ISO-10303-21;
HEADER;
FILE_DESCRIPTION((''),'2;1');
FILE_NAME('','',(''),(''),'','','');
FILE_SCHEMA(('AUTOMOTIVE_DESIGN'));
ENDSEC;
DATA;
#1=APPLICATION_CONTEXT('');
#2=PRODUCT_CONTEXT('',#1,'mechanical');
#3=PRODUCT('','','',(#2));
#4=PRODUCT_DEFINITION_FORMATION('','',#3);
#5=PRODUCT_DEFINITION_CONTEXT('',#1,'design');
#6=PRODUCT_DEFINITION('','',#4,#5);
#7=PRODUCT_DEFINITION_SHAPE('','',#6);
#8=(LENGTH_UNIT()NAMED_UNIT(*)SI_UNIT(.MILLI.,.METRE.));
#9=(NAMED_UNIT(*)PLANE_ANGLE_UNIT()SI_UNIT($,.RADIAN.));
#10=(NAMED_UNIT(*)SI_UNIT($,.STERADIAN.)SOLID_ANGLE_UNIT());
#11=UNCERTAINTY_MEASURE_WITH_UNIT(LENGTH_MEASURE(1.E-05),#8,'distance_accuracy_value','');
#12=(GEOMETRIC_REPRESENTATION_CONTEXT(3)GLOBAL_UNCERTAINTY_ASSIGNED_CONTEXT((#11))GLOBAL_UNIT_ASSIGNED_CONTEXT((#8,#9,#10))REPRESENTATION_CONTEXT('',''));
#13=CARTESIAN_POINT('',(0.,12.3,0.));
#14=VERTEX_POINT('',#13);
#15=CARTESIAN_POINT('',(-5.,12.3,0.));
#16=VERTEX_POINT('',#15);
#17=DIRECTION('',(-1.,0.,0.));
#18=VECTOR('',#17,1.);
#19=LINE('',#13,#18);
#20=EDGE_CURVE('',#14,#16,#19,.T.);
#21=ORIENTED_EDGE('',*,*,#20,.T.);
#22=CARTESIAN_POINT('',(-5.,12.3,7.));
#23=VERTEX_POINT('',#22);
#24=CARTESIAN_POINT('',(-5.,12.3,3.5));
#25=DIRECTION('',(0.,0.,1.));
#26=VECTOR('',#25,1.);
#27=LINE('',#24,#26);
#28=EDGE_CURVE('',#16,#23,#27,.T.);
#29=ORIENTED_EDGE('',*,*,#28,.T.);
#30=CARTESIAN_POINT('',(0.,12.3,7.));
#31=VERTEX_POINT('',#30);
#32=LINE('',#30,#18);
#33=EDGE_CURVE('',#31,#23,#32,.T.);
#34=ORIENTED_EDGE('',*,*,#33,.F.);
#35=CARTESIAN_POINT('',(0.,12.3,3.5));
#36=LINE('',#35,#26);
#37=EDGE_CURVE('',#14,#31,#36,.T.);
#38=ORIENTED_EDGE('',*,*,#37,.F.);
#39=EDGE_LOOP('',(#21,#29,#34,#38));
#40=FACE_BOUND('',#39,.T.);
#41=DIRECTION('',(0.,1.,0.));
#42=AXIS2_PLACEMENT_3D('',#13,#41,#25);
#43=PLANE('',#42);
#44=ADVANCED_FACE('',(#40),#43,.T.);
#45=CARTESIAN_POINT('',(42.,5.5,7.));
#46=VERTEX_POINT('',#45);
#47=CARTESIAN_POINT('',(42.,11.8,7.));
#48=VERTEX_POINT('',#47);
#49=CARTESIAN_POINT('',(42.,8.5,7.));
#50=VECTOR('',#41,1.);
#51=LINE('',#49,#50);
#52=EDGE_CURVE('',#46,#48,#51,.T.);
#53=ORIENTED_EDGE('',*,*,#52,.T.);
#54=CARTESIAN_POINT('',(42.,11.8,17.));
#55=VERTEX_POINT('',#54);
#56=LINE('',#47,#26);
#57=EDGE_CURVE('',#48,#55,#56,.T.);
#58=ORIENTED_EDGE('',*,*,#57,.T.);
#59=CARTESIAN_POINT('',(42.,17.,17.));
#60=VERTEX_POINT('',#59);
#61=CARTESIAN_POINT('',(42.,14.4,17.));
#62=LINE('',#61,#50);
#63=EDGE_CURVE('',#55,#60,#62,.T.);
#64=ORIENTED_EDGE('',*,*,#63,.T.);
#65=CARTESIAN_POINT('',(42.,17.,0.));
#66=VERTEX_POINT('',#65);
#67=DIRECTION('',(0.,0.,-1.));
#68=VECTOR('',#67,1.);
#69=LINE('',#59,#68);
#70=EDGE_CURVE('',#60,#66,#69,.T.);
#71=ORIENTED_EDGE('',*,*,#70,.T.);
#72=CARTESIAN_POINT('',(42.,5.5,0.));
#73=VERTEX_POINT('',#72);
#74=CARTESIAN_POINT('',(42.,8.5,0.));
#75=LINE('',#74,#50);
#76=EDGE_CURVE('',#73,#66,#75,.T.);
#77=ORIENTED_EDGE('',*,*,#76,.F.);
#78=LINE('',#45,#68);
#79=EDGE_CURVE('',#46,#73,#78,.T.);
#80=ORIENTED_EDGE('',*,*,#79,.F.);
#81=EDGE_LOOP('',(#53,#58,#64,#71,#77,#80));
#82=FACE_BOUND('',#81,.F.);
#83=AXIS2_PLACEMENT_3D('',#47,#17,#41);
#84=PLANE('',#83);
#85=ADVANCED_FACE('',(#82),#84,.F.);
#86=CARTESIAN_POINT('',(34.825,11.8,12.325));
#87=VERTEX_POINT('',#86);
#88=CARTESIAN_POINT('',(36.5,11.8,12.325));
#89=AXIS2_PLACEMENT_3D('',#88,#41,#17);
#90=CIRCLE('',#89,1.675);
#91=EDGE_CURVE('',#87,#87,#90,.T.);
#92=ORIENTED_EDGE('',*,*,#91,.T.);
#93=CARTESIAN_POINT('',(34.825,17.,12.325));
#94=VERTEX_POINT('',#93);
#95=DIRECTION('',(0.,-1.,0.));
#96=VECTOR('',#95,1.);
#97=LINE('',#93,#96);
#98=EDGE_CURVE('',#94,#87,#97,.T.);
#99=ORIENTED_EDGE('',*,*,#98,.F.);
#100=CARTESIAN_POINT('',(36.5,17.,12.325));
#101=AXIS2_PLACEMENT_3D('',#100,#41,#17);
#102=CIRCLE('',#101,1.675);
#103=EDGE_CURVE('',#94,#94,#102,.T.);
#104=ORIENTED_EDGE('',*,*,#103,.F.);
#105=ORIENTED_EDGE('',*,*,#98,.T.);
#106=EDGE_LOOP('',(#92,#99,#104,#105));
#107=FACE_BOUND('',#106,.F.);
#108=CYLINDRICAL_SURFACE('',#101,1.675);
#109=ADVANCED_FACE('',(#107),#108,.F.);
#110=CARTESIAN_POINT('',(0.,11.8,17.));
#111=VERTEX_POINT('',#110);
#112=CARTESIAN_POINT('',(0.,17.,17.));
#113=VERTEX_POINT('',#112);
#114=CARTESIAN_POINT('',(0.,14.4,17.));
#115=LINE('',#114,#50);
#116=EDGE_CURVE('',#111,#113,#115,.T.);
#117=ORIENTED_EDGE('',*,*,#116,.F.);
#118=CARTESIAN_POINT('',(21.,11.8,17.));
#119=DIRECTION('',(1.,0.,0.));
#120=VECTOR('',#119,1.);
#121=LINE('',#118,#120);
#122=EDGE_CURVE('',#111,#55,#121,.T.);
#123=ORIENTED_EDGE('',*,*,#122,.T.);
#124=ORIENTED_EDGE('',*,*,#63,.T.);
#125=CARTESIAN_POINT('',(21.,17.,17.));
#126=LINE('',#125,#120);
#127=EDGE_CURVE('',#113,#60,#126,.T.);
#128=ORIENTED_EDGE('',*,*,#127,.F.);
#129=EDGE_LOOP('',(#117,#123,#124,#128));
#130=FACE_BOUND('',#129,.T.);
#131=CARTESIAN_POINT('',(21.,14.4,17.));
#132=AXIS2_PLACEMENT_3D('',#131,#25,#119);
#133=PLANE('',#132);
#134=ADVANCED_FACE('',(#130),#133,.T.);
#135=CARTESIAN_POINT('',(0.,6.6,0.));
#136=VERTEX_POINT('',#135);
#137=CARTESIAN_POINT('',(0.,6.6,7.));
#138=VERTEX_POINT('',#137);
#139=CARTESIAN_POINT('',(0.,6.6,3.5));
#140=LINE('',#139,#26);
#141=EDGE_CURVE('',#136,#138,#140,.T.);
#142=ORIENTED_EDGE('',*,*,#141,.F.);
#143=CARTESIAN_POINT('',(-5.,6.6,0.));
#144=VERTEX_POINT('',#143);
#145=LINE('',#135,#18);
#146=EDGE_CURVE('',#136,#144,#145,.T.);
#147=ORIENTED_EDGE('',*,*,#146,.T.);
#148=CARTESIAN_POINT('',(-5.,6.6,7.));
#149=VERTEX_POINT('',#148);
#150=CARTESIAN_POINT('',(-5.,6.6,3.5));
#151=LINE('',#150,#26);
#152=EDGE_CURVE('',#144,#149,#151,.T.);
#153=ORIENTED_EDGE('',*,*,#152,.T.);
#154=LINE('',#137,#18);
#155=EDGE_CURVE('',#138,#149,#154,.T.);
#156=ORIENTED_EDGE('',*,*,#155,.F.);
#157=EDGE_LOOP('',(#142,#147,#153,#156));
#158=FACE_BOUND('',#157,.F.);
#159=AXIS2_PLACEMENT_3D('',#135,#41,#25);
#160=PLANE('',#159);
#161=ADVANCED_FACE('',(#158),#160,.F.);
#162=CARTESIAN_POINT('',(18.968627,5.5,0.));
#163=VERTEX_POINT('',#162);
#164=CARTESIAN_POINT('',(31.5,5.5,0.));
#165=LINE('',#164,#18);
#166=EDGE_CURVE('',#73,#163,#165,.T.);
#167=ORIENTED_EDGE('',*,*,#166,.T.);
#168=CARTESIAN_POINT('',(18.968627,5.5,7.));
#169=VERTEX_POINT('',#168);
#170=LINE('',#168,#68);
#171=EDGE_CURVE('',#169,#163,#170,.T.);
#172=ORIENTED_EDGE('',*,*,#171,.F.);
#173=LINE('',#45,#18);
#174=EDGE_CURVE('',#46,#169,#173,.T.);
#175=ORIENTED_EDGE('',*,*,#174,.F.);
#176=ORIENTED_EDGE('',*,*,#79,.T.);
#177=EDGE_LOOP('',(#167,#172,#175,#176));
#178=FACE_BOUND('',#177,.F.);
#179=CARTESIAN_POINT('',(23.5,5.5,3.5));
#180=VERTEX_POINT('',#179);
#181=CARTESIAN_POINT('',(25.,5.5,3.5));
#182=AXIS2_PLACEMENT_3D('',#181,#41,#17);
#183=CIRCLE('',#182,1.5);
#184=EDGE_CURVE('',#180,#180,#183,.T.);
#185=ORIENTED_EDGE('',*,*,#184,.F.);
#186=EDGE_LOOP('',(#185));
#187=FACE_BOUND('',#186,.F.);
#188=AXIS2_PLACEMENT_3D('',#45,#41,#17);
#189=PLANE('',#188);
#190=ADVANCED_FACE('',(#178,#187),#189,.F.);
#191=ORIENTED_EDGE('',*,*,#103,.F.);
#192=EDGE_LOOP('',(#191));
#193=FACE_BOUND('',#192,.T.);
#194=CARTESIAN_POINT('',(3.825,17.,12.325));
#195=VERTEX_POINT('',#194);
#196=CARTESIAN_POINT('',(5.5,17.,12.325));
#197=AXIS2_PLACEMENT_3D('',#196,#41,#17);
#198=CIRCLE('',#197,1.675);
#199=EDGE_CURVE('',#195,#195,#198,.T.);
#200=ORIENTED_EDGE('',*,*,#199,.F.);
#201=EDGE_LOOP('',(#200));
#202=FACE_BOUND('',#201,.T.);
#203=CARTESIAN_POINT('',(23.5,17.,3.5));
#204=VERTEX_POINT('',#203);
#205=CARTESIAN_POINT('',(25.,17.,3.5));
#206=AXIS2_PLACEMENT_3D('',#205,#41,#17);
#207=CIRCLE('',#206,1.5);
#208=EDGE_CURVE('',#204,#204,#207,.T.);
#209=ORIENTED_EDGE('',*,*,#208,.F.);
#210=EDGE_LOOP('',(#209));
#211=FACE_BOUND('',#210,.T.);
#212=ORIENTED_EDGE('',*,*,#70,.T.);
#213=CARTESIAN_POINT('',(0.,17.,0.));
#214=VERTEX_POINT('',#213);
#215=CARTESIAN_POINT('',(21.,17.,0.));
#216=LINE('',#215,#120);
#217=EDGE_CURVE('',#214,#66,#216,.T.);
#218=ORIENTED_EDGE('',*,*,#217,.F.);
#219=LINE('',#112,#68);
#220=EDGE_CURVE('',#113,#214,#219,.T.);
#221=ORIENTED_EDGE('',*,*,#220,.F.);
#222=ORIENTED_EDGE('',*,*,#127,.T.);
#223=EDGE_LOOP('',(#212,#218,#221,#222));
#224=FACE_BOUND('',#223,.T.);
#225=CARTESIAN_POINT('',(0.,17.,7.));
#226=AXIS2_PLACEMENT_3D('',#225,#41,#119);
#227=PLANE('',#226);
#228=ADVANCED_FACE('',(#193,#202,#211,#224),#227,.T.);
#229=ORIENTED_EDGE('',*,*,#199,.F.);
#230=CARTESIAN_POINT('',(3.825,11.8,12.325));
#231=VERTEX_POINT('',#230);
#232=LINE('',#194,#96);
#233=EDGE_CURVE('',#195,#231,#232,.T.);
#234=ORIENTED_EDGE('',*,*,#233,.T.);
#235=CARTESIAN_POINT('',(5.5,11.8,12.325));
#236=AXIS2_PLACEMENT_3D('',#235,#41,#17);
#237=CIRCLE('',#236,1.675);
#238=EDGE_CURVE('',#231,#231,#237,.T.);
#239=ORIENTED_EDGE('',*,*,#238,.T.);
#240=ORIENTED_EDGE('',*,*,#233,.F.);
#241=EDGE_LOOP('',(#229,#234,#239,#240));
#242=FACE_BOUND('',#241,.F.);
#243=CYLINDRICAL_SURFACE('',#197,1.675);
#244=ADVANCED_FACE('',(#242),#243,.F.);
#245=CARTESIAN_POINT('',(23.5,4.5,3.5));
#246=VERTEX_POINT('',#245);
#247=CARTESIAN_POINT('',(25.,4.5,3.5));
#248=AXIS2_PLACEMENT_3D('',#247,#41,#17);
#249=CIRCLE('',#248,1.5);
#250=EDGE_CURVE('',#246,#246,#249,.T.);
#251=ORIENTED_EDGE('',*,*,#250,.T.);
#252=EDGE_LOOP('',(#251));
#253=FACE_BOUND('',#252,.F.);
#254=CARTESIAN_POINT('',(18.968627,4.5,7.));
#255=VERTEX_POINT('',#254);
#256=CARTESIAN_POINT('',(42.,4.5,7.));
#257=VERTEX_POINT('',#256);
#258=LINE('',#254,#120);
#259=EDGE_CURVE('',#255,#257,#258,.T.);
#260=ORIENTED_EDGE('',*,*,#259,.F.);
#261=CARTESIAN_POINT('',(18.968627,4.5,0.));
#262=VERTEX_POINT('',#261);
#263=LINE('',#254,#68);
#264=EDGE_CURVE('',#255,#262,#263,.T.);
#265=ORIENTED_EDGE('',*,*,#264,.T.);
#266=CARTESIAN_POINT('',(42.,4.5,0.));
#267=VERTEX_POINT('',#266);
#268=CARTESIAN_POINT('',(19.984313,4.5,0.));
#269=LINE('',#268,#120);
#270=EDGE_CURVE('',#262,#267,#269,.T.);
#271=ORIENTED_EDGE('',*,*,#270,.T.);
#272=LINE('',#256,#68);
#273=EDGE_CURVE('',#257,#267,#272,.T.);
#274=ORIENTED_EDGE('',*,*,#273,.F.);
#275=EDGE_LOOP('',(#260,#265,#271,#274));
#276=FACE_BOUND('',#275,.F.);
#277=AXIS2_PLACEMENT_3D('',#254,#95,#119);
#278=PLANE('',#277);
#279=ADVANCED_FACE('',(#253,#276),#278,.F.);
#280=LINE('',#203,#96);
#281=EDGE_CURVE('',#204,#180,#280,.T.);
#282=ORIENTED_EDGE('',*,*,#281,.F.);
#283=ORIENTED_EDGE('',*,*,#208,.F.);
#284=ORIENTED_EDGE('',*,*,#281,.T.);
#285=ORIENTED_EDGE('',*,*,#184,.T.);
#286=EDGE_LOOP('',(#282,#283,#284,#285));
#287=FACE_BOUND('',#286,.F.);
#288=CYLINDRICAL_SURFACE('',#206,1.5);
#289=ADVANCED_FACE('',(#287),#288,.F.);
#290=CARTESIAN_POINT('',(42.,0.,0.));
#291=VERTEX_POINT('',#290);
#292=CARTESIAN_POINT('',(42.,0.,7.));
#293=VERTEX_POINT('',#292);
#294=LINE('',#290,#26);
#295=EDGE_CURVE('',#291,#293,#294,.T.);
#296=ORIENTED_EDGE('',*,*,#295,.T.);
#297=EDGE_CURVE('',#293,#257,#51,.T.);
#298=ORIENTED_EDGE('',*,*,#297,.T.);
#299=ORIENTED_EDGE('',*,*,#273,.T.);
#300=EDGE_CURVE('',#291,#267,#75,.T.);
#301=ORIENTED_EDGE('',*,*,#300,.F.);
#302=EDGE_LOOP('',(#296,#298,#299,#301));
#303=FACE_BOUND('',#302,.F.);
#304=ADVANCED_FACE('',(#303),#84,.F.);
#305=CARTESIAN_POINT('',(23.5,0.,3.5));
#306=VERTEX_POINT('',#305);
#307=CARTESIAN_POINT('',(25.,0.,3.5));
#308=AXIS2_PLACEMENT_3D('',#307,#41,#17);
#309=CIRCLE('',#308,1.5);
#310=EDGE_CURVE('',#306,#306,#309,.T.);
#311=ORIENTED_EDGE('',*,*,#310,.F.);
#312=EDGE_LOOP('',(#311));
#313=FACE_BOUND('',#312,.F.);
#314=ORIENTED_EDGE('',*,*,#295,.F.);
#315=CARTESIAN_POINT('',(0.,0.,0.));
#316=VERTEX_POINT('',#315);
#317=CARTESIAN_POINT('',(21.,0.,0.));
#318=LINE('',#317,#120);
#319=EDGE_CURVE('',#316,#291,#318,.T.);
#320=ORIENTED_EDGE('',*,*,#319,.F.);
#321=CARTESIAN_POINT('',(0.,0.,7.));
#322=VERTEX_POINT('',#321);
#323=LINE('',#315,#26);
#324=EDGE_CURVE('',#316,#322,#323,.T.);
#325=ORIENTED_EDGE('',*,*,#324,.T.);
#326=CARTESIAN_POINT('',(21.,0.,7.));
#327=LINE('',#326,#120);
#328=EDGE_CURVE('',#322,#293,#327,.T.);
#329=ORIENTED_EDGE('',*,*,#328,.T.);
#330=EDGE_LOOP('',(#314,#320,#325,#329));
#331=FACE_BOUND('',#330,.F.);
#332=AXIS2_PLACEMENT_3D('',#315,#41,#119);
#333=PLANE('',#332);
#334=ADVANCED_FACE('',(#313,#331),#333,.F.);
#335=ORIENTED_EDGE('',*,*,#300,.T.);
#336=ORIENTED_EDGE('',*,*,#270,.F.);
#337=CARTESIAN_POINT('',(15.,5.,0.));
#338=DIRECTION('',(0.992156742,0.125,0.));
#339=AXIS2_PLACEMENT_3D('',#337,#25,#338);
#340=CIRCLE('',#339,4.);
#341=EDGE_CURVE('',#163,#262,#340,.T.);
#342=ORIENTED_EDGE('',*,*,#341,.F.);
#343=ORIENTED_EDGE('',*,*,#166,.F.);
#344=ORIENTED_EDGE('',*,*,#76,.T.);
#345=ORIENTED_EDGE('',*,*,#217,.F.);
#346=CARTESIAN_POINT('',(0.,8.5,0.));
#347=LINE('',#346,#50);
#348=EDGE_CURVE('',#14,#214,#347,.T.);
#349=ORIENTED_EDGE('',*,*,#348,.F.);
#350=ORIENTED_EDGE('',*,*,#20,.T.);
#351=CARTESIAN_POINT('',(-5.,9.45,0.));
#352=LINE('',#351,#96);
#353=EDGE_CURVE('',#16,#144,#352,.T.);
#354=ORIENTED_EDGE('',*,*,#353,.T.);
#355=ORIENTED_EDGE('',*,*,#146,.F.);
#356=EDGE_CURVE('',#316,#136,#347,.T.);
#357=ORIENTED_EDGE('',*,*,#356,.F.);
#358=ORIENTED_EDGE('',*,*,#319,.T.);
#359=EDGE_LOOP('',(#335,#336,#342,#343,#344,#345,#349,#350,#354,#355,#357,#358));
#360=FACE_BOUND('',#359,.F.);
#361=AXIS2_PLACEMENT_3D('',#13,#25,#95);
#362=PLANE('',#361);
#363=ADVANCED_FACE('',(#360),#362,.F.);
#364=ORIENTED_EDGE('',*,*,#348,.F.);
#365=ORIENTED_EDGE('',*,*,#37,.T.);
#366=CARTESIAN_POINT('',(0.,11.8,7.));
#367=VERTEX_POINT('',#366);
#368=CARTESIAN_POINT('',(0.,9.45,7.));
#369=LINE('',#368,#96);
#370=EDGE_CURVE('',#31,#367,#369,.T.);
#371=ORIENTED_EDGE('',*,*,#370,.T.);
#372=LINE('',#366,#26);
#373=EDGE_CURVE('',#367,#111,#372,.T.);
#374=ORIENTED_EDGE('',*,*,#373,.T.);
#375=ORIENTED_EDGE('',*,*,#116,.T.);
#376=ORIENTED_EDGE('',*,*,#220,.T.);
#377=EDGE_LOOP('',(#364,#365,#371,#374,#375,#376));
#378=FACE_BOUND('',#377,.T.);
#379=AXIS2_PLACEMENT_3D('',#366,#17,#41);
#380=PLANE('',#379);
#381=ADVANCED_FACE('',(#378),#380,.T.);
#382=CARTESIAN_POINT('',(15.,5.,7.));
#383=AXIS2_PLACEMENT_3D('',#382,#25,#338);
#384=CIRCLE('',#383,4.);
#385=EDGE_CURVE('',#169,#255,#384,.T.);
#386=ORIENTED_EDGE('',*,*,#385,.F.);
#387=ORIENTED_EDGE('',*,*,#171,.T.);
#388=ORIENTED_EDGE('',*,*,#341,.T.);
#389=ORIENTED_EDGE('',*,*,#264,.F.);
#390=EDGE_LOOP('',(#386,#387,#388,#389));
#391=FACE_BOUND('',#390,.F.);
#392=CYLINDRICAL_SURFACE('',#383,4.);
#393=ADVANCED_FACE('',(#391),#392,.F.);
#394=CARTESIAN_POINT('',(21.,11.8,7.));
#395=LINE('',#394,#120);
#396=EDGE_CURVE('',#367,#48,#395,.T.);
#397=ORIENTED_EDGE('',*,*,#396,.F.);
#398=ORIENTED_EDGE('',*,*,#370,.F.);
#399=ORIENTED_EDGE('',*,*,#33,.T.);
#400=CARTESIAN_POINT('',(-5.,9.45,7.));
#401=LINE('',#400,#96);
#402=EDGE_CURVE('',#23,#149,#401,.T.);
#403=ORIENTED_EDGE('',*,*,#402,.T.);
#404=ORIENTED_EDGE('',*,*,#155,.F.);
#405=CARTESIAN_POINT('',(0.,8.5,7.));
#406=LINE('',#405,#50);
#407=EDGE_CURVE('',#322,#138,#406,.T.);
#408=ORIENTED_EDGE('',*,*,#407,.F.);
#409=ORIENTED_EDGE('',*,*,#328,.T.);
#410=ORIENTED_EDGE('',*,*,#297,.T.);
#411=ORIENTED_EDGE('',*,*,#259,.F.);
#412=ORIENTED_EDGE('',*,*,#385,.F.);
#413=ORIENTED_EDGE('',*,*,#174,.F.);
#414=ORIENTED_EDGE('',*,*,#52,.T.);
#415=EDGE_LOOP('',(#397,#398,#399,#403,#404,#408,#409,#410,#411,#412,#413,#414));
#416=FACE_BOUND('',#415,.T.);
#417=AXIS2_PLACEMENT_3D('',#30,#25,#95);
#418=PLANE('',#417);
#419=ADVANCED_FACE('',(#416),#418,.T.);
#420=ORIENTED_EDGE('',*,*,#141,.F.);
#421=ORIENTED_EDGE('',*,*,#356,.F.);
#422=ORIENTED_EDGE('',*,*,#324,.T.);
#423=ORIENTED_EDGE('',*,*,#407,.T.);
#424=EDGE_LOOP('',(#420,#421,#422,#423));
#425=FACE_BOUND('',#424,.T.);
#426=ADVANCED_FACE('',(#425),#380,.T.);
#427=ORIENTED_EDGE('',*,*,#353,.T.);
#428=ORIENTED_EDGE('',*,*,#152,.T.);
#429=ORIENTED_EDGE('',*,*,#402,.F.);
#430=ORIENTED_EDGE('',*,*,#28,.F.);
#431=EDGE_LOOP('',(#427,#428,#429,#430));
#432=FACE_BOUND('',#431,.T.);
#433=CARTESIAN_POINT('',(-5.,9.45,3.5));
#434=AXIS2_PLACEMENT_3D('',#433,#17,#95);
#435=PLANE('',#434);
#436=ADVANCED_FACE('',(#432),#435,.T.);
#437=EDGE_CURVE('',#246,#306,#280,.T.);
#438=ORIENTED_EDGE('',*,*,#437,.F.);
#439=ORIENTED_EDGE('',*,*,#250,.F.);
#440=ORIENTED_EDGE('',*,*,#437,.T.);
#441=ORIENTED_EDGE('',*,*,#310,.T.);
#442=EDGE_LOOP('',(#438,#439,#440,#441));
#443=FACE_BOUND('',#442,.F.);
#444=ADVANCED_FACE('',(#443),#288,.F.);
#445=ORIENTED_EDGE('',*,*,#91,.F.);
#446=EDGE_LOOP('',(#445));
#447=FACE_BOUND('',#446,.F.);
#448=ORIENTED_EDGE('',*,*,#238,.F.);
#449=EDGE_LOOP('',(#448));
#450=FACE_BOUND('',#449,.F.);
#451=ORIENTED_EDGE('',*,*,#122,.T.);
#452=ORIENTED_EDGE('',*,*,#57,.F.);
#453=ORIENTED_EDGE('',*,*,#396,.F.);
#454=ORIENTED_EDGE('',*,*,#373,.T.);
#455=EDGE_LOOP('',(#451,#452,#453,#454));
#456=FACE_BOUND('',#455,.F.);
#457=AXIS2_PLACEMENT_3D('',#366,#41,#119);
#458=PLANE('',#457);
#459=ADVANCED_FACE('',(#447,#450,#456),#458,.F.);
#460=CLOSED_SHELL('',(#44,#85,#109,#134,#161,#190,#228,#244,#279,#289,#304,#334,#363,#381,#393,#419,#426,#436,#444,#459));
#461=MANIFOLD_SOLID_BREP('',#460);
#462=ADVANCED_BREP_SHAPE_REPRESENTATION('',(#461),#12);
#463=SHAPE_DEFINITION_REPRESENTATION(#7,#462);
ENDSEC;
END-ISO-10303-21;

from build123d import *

# Parameters (mm, degrees)
F0_W      = 42
F0_H      = 17
F1_DEPTH  = 7
F4_DEPTH  = 25
F5_W      = 42
F5_H      = 5.2
F6_DEPTH  = 10
F7_R      = 1.675
F8_DEPTH  = 25
F9_DEPTH  = 25
F10_W     = 5.7
F10_H     = 7
F11_DEPTH = 5


with BuildPart() as f1:
    # F0 (on Top) → F1 (new body)
    with BuildSketch(Plane.XY):
        with Locations((21, 8.5)):
            Rectangle(F0_W, F0_H)
    extrude(amount=F1_DEPTH)

    # F3 (on face) → F4 (cut)
    with BuildSketch(Plane(origin=(0, 17, 0), x_dir=(-1, 0, 0), z_dir=(0, 1, 0))):
        with BuildLine():
            ThreePointArc((-26.5, 3.5), (-25, 2), (-23.5, 3.5))
            ThreePointArc((-23.5, 3.5), (-25, 5), (-26.5, 3.5))
        make_face()
    extrude(amount=-F4_DEPTH, mode=Mode.SUBTRACT)

    # F5 (on face) → F6 (join)
    with BuildSketch(Plane.XY.offset(7)):
        with Locations((21, 14.4)):
            Rectangle(F5_W, F5_H)
    extrude(amount=F6_DEPTH)

    # F7 (on face) → F8 (cut)
    with BuildSketch(Plane(origin=(0, 17, 0), x_dir=(-1, 0, 0), z_dir=(0, 1, 0))):
        with Locations((-36.5, 12.325)):
            Circle(F7_R)
        with Locations((-5.5, 12.325)):
            Circle(F7_R)
    extrude(amount=-F8_DEPTH, mode=Mode.SUBTRACT)

    # F2 (on face) → F9 (cut)
    with BuildSketch(Plane.XY.offset(7)):
        with BuildLine():
            ThreePointArc((18.9686269666, 4.5), (18.9921490369, 4.7495083498), (19, 5))
            ThreePointArc((19, 5), (18.9921490369, 5.2504916502), (18.9686269666, 5.5))
            ThreePointArc((18.9686269666, 5.5), (11, 5), (18.9686269666, 4.5))
        make_face()
        with BuildLine():
            Line((42, 5), (19, 5))
            ThreePointArc((19, 5), (18.9921490369, 4.7495083498), (18.9686269666, 4.5))
            Line((18.9686269666, 4.5), (42, 4.5))
            Line((42, 4.5), (42, 5))
        make_face()
        with BuildLine():
            ThreePointArc((18.9686269666, 5.5), (18.9921490369, 5.2504916502), (19, 5))
            Line((19, 5), (42, 5))
            Line((42, 5), (42, 5.5))
            Line((42, 5.5), (18.9686269666, 5.5))
        make_face()
    extrude(amount=-F9_DEPTH, mode=Mode.SUBTRACT)

    # F10 (on face) → F11 (join)
    with BuildSketch(Plane(origin=(0, 0, 0), x_dir=(0, -1, 0), z_dir=(-1, 0, 0))):
        with Locations((-9.45, 3.5)):
            Rectangle(F10_W, F10_H)
    extrude(amount=F11_DEPTH)


solid = f1.part
